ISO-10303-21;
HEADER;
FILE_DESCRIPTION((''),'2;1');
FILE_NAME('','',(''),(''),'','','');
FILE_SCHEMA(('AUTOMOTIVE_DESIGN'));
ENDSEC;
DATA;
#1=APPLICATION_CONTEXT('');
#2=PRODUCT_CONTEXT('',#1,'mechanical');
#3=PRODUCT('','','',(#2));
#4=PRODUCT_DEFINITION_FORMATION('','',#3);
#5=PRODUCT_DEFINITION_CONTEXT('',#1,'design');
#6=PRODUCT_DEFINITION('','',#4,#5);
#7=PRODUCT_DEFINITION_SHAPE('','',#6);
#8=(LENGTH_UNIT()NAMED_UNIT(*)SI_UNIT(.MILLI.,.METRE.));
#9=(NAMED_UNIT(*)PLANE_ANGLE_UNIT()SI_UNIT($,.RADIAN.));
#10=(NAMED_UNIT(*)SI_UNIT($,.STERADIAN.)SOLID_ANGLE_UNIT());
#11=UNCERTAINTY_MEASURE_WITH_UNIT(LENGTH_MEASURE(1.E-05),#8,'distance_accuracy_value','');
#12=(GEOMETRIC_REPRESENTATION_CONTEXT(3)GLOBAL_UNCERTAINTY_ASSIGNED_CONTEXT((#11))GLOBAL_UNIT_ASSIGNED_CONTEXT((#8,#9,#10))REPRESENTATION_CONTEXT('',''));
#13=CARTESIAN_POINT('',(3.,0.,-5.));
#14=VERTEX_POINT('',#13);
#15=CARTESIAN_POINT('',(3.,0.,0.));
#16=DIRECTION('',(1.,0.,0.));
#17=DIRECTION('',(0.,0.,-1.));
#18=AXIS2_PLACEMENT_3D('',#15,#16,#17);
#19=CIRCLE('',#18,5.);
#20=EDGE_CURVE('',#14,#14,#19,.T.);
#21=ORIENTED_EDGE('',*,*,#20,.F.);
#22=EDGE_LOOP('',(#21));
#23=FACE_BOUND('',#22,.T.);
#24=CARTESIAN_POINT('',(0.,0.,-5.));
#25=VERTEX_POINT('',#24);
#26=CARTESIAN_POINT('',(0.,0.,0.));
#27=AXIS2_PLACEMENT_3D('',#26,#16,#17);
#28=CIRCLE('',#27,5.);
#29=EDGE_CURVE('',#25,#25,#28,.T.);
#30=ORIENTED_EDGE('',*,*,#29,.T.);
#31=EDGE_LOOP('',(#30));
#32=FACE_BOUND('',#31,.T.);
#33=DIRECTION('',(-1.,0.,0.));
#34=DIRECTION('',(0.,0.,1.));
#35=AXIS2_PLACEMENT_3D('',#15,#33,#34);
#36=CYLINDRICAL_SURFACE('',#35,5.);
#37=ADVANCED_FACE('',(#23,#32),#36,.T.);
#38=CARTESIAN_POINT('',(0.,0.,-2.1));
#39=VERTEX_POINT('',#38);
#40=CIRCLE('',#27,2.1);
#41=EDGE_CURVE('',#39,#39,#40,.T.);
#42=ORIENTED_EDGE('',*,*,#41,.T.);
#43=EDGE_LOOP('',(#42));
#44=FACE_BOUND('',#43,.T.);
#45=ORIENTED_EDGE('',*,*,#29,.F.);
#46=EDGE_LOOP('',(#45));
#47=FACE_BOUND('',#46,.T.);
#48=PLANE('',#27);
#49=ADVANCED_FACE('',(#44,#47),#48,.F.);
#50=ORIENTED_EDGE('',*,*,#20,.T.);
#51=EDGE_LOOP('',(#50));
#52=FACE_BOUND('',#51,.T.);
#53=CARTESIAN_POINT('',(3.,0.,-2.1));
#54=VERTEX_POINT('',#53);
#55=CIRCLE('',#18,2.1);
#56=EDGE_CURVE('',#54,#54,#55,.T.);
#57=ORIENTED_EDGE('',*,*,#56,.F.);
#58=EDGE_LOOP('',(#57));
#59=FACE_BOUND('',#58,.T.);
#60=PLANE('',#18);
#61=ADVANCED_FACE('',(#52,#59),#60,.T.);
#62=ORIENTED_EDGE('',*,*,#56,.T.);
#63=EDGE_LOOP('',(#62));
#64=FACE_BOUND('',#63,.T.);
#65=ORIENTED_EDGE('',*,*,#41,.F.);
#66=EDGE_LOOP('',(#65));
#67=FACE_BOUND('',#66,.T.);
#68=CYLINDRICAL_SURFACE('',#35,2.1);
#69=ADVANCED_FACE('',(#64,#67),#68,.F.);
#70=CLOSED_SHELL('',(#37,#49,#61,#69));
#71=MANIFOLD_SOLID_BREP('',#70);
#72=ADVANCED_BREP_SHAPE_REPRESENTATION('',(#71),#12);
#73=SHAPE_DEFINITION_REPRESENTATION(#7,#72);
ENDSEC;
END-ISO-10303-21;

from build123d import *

# Parameters (mm, degrees)
ESQUISSE1_R      = 5
ESQUISSE1_R_2    = 2.1
EXTRUSION1_DEPTH = 3


with BuildPart() as part:
    # Esquisse1 → Extrusion1 (new body)
    with BuildSketch(Plane(origin=(0, 0, 0), x_dir=(0, 0, -1), z_dir=(1, 0, 0))):
        Circle(ESQUISSE1_R)
        Circle(ESQUISSE1_R_2, mode=Mode.SUBTRACT)
    extrude(amount=EXTRUSION1_DEPTH)


solid = part.part
